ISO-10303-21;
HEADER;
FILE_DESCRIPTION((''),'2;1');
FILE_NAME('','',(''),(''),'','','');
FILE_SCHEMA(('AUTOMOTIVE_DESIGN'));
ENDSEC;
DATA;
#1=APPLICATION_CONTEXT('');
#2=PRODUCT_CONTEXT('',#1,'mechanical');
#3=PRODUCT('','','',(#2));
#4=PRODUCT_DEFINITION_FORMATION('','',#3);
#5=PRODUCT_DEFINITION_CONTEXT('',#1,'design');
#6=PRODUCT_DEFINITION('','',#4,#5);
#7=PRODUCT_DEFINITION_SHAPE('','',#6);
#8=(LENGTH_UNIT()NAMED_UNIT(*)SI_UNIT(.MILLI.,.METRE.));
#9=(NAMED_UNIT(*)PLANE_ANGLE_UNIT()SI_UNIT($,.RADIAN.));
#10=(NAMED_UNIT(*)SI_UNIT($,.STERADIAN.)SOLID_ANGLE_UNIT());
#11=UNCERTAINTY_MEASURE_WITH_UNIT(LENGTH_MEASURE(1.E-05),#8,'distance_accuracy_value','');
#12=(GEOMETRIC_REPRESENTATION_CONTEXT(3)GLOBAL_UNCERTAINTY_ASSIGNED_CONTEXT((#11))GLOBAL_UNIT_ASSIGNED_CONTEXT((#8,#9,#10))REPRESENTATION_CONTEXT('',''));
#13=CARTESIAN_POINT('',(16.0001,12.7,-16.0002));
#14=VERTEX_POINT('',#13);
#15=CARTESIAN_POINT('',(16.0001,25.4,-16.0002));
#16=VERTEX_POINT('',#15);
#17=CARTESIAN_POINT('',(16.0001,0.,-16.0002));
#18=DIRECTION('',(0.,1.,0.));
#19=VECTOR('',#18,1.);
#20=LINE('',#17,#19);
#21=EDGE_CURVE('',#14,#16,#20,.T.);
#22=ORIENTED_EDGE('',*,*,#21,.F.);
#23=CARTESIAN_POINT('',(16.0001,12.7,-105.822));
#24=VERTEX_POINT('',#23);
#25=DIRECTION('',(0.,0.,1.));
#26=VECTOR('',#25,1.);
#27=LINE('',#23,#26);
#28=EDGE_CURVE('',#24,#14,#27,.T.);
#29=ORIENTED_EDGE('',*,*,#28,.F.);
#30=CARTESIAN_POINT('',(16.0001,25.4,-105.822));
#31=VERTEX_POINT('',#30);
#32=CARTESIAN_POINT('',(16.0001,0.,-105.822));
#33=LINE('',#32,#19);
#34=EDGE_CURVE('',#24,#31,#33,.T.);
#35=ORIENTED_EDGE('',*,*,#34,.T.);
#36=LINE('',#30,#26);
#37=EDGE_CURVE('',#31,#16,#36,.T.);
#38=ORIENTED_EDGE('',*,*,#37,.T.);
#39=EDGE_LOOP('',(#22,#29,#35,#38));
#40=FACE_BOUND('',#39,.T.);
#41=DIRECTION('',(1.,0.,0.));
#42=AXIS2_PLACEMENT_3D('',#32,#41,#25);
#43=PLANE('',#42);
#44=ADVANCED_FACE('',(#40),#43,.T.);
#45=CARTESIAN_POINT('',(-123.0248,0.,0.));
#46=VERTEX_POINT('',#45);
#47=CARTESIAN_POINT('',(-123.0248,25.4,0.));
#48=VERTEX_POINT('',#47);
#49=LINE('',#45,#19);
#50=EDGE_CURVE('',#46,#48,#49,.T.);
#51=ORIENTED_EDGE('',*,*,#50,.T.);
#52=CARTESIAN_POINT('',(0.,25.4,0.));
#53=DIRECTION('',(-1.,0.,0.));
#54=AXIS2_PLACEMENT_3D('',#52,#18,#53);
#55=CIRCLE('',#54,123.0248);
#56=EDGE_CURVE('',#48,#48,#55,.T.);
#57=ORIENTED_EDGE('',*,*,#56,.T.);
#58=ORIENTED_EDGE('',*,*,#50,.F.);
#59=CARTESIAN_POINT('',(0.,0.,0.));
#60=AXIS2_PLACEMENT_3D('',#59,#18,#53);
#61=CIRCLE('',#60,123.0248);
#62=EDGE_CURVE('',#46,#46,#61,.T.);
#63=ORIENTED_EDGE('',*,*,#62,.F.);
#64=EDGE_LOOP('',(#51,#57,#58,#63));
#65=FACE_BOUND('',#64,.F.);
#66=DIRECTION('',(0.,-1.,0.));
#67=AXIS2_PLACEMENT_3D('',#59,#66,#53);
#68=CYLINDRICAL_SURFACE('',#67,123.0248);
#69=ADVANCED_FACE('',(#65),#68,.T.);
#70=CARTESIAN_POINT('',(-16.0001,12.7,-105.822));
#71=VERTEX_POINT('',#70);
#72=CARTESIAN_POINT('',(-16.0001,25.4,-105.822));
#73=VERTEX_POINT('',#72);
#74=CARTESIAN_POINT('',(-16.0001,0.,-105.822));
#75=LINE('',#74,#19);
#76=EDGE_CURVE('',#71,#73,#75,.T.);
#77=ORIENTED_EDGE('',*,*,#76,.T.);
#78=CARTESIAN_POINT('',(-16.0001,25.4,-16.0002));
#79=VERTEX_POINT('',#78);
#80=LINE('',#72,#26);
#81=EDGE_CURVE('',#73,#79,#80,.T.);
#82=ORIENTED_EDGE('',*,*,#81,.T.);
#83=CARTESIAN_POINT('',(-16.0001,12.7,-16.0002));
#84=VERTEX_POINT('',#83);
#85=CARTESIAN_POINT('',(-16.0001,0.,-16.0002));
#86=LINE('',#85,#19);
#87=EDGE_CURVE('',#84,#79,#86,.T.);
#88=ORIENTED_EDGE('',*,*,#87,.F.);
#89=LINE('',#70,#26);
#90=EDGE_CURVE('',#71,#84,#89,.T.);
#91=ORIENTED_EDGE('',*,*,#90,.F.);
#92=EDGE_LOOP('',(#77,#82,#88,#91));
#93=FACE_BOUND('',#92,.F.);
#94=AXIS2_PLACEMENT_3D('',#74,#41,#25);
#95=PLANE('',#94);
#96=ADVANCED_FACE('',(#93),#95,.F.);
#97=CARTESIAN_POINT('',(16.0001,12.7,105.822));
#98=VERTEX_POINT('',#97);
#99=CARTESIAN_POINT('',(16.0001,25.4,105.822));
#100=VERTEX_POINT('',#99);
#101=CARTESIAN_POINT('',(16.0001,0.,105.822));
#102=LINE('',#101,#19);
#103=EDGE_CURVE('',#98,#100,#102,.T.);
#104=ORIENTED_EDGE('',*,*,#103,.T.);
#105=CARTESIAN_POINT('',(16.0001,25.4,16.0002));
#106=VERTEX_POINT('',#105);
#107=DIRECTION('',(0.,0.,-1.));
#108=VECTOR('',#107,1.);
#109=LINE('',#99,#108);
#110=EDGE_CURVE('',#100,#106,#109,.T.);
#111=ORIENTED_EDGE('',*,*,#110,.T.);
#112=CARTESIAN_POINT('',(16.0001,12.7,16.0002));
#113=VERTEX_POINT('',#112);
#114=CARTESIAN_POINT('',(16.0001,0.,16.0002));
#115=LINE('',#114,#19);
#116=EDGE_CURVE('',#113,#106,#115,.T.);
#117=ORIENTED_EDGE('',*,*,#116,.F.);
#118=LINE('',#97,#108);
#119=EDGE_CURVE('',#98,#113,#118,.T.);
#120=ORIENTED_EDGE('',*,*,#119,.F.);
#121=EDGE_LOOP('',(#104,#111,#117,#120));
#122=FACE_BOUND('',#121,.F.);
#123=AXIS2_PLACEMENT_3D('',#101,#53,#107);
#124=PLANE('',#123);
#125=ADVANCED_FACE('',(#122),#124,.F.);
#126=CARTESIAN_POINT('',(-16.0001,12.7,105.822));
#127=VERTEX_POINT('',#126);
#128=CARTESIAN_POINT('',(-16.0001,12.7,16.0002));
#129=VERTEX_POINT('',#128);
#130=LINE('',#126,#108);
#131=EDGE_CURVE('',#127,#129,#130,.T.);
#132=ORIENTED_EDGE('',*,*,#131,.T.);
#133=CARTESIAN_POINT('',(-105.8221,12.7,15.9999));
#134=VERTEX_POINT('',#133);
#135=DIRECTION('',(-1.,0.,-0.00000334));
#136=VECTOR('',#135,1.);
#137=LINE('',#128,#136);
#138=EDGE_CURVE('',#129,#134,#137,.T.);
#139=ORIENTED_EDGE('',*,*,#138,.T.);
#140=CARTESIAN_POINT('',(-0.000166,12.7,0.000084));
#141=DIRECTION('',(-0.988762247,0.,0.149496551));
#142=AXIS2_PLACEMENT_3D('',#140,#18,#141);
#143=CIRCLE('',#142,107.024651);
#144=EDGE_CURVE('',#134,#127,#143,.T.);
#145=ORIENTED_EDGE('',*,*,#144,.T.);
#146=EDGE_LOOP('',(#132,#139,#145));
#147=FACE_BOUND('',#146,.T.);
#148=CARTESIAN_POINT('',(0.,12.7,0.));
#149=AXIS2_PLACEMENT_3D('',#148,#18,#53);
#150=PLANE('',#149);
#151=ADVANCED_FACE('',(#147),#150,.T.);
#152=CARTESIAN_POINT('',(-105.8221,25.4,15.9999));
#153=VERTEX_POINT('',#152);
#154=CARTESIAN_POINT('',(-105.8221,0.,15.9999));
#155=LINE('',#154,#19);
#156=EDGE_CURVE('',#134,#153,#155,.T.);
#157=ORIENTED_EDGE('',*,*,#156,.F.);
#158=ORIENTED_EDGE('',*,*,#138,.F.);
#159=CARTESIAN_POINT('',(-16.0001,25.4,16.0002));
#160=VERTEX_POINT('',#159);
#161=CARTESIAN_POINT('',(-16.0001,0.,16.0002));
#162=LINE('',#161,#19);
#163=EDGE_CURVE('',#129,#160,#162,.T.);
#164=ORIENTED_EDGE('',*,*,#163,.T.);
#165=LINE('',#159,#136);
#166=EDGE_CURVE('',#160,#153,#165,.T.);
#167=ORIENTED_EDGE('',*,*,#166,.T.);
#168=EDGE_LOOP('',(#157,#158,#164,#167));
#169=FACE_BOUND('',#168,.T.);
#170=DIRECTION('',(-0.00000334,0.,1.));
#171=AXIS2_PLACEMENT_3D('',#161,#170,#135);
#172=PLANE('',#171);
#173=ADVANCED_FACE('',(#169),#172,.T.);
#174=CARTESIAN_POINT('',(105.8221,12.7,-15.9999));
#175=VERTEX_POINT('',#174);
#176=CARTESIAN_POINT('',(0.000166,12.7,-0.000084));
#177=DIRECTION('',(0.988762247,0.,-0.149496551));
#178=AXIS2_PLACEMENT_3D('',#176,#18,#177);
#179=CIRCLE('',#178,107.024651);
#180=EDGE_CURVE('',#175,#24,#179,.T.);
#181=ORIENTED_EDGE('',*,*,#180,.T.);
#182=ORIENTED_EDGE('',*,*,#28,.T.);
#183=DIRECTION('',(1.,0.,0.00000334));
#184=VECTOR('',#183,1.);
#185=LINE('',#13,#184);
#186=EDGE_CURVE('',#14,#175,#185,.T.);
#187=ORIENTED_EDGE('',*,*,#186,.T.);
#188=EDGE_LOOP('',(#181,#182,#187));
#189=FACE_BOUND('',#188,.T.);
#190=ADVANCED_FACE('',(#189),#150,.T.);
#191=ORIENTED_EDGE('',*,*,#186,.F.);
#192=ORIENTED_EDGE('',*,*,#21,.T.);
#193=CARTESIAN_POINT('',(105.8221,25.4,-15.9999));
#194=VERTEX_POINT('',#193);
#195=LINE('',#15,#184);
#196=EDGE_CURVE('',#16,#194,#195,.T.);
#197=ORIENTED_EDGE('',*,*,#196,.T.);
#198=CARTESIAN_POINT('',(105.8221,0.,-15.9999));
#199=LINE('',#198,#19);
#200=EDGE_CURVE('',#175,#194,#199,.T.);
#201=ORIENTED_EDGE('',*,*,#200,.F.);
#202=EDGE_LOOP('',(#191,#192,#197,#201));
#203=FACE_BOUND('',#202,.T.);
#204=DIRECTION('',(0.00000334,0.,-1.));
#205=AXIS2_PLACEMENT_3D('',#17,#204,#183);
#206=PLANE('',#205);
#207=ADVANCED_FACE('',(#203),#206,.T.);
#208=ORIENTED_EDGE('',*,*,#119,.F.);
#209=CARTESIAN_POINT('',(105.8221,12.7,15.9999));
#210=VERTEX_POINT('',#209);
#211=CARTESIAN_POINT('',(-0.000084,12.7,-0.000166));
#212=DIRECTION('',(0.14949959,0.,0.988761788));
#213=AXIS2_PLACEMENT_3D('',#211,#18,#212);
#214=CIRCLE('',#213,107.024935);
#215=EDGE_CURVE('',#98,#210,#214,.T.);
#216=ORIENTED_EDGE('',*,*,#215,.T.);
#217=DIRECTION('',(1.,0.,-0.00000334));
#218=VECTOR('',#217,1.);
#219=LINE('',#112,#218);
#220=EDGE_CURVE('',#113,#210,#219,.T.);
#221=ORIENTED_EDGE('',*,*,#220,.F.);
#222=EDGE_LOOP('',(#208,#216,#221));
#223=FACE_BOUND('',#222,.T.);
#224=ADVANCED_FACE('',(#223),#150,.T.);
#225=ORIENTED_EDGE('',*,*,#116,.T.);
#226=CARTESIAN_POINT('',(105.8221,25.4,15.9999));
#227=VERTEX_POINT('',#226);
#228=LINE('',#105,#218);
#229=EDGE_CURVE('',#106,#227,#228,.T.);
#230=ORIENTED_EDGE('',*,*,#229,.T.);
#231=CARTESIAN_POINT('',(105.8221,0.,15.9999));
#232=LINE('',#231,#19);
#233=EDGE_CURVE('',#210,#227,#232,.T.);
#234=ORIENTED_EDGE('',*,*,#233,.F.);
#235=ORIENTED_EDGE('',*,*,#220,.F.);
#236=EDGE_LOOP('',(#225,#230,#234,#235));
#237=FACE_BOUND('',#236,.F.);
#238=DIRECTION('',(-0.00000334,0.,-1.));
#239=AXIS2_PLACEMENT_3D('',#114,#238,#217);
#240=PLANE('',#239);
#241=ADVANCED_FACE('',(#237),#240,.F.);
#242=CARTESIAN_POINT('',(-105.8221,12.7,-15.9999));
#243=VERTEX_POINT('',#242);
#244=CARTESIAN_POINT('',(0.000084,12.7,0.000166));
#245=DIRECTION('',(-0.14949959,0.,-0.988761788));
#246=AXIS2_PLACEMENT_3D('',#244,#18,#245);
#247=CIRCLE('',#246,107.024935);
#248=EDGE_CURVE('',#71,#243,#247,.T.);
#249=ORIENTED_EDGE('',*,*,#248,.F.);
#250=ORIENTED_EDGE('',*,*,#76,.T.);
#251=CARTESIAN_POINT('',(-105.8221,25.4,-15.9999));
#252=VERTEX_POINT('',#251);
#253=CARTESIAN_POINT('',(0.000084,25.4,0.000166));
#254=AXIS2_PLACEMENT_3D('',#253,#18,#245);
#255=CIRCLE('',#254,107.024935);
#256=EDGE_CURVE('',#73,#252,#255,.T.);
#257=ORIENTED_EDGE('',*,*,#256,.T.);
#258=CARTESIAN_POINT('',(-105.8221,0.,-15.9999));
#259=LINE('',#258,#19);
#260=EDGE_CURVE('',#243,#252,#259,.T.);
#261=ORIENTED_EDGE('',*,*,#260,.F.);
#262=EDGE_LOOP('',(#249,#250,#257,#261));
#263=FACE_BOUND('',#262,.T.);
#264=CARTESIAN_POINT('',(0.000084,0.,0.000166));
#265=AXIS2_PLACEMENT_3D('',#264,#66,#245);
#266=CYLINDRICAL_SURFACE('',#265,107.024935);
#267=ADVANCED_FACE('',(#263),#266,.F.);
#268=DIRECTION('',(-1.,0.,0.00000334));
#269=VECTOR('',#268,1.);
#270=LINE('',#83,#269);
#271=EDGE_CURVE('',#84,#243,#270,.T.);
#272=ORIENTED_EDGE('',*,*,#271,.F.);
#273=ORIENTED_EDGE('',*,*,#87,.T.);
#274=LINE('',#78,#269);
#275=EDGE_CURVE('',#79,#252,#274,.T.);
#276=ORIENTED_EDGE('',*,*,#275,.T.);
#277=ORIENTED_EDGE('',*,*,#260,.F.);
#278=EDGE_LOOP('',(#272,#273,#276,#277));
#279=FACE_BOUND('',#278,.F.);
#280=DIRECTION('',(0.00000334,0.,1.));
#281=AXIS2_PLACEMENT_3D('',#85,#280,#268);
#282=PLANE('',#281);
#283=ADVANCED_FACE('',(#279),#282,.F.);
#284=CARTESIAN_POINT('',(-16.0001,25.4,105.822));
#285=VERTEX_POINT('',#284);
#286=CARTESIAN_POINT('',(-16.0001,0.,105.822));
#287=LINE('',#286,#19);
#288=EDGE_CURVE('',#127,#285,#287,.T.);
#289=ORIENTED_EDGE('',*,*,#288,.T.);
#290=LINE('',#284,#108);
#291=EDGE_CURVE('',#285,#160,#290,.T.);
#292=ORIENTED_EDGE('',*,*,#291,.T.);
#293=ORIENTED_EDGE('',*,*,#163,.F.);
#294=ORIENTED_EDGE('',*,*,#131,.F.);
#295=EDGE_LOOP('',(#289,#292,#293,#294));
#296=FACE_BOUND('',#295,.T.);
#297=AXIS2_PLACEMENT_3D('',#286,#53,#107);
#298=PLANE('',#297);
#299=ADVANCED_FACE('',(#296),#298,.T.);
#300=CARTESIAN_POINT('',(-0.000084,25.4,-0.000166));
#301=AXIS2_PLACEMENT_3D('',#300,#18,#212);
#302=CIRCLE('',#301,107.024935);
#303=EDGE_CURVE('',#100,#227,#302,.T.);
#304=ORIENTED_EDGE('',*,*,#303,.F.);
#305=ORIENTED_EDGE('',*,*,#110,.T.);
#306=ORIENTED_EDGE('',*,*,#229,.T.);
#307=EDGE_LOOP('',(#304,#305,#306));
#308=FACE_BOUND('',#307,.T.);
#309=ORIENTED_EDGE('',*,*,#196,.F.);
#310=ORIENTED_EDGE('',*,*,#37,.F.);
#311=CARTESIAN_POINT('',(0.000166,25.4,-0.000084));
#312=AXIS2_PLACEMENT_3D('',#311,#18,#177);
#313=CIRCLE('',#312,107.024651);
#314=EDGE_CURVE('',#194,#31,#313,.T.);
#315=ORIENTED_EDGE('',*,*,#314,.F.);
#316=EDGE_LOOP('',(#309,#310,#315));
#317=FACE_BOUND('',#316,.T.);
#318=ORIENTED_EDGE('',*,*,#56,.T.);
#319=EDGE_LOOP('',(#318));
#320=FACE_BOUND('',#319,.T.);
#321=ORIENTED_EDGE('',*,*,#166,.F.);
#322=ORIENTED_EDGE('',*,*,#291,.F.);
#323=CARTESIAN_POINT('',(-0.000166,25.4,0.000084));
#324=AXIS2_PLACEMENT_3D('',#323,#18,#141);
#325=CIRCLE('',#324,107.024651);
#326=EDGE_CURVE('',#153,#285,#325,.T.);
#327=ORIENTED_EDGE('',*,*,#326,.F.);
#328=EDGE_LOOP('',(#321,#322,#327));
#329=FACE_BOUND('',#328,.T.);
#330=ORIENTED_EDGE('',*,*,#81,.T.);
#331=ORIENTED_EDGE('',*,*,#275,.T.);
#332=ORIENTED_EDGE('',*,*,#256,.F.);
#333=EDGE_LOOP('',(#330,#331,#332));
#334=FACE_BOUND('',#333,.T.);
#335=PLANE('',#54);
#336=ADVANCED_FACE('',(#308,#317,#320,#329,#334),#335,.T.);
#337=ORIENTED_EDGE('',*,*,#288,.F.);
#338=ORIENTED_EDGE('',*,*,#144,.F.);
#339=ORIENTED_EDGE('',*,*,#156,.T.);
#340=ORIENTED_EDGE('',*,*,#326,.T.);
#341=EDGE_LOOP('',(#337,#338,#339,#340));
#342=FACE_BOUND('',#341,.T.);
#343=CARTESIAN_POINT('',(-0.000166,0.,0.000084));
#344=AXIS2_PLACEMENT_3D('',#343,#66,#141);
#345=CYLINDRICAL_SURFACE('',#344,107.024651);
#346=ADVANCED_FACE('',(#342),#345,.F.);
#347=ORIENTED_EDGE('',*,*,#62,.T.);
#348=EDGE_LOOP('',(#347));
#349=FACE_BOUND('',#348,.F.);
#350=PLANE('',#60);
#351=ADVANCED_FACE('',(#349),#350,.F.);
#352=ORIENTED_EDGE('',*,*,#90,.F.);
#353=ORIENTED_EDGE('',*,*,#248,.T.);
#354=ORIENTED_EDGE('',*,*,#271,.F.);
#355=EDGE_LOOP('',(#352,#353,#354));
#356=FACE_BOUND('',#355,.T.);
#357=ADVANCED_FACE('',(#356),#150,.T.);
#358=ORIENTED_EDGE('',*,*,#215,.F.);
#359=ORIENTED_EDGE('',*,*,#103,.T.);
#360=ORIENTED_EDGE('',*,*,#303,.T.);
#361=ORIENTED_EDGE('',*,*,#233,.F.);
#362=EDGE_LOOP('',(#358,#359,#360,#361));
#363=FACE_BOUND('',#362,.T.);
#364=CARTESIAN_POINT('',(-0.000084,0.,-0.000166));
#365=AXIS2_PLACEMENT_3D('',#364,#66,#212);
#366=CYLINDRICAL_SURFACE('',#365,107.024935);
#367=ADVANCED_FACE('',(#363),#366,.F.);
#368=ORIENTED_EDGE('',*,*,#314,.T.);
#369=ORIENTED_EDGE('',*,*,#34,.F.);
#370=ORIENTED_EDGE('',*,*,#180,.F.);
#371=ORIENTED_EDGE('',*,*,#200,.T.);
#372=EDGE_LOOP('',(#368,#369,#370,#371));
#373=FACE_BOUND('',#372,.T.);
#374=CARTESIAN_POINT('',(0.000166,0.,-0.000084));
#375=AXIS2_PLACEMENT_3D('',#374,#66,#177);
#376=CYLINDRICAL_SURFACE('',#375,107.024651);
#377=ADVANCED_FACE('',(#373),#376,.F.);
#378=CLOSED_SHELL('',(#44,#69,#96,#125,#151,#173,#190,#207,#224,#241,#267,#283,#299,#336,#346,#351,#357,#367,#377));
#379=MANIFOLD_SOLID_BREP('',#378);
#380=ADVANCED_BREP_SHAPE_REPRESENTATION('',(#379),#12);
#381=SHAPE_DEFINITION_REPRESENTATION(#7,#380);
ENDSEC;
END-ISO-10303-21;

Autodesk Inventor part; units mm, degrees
ref_plane "YZ Plane" through (0, 0, 0) normal (1, 0, 0) x (0, 1, 0)
ref_plane "XZ Plane" through (0, 0, 0) normal (0, 1, 0) x (-1, 0, 0)
ref_plane "XY Plane" through (0, 0, 0) normal (0, 0, 1) x (1, 0, 0)
sketch "Sketch1" plane through (0, 0, 0) normal (0, 1, 0) x (-1, 0, 0)
  circle A0 centre (0, 0) radius 123.0248
  arc A1 (16.0001, -105.822) -> (105.8221, -15.9999) centre (0, 0) ccw
  line L0 (16.0001, -105.822) -> (16.0001, -16.0002)
  line L1 (16.0001, -16.0002) -> (105.8221, -15.9999)
  arc A2 (105.8221, 15.9999) -> (16.0001, 105.822) centre (0, 0) ccw
  line L2 (16.0001, 105.822) -> (16.0001, 16.0002)
  line L3 (16.0001, 16.0002) -> (105.8221, 15.9999)
  arc A3 (-105.8221, -15.9999) -> (-16.0001, -105.822) centre (0, 0) ccw
  line L4 (-16.0001, -105.822) -> (-16.0001, -16.0002)
  line L5 (-16.0001, -16.0002) -> (-105.8221, -15.9999)
  line L6 (-16.0001, 16.0002) -> (-105.8221, 15.9999)
  line L7 (-16.0001, 105.822) -> (-16.0001, 16.0002)
  arc A4 (-16.0001, 105.822) -> (-105.8221, 15.9999) centre (0, 0) ccw
  line L8 (16.0001, -16.0002) -> (107.9989, -16.0002)
  line L9 (16.0001, -16.0002) -> (16.0001, -107.999)
  line L10 (16.0001, -16.0002) -> (105.5859, -16.0002) construction
  arc A5 (16.0001, -107.999) -> (107.9989, -16.0002) centre (9.6855, -9.6856) ccw
  line L11 (75.678, -75.6779) -> (158.1368, -75.6779) construction
  line L12 (75.678, -75.6779) -> (278.878, -75.6779) construction
  line L13 (16.0001, -135.3558) -> (16.0001, -16.0002)
  dimension "d1" = 107.0248
  dimension "d4" = 89.8218
  dimension "d12" = 91.9988
  dimension "d13" = 91.9988
  dimension "d19" = 119.3556
sketch "Sketch2" plane through (0, 0, 0) normal (0, 1, 0) x (-1, 0, 0)
  circle A0 centre (0, 0) radius 123.0248
  arc A1 (16.0001, -105.822) -> (105.8221, -15.9999) centre (0, 0) ccw
  line L0 (0, 0) -> (105.8221, -15.9999) construction
  line L1 (0, 0) -> (107.0248, 0) construction
  line L2 (0, 0) -> (16.0001, -105.822) construction
  line L3 (16.0001, -105.822) -> (16.0001, -16.0002)
  line L4 (16.0001, -105.822) -> (105.8219, -105.822) construction
  line L5 (16.0001, -16.0002) -> (105.8221, -15.9999)
  line L6 (16.0001, 16.0002) -> (105.8221, 15.9999)
  line L7 (16.0001, 105.822) -> (16.0001, 16.0002)
  arc A2 (105.8221, 15.9999) -> (16.0001, 105.822) centre (0, 0) ccw
  line L8 (-16.0001, 16.0002) -> (-105.8221, 15.9999)
  line L9 (-16.0001, 105.822) -> (-16.0001, 16.0002)
  arc A3 (-16.0001, 105.822) -> (-105.8221, 15.9999) centre (0, 0) ccw
  arc A4 (-105.8221, -15.9999) -> (-16.0001, -105.822) centre (0, 0) ccw
  line L10 (-16.0001, -16.0002) -> (-105.8221, -15.9999)
  line L11 (-16.0001, -105.822) -> (-16.0001, -16.0002)
  dimension "d6" = 107.0248
  dimension "d7" = 89.8218
extrude "Extrusion1" add sketch "Sketch2" along normal blind 25.4
extrude "Extrusion2" add sketch "Sketch1" along normal blind 12.7 contours L0 L1 A1 | L3 L2 A2 | L5 L4 A3 | L6 A4 L7
properties part number "regalPlasticsDisk"
